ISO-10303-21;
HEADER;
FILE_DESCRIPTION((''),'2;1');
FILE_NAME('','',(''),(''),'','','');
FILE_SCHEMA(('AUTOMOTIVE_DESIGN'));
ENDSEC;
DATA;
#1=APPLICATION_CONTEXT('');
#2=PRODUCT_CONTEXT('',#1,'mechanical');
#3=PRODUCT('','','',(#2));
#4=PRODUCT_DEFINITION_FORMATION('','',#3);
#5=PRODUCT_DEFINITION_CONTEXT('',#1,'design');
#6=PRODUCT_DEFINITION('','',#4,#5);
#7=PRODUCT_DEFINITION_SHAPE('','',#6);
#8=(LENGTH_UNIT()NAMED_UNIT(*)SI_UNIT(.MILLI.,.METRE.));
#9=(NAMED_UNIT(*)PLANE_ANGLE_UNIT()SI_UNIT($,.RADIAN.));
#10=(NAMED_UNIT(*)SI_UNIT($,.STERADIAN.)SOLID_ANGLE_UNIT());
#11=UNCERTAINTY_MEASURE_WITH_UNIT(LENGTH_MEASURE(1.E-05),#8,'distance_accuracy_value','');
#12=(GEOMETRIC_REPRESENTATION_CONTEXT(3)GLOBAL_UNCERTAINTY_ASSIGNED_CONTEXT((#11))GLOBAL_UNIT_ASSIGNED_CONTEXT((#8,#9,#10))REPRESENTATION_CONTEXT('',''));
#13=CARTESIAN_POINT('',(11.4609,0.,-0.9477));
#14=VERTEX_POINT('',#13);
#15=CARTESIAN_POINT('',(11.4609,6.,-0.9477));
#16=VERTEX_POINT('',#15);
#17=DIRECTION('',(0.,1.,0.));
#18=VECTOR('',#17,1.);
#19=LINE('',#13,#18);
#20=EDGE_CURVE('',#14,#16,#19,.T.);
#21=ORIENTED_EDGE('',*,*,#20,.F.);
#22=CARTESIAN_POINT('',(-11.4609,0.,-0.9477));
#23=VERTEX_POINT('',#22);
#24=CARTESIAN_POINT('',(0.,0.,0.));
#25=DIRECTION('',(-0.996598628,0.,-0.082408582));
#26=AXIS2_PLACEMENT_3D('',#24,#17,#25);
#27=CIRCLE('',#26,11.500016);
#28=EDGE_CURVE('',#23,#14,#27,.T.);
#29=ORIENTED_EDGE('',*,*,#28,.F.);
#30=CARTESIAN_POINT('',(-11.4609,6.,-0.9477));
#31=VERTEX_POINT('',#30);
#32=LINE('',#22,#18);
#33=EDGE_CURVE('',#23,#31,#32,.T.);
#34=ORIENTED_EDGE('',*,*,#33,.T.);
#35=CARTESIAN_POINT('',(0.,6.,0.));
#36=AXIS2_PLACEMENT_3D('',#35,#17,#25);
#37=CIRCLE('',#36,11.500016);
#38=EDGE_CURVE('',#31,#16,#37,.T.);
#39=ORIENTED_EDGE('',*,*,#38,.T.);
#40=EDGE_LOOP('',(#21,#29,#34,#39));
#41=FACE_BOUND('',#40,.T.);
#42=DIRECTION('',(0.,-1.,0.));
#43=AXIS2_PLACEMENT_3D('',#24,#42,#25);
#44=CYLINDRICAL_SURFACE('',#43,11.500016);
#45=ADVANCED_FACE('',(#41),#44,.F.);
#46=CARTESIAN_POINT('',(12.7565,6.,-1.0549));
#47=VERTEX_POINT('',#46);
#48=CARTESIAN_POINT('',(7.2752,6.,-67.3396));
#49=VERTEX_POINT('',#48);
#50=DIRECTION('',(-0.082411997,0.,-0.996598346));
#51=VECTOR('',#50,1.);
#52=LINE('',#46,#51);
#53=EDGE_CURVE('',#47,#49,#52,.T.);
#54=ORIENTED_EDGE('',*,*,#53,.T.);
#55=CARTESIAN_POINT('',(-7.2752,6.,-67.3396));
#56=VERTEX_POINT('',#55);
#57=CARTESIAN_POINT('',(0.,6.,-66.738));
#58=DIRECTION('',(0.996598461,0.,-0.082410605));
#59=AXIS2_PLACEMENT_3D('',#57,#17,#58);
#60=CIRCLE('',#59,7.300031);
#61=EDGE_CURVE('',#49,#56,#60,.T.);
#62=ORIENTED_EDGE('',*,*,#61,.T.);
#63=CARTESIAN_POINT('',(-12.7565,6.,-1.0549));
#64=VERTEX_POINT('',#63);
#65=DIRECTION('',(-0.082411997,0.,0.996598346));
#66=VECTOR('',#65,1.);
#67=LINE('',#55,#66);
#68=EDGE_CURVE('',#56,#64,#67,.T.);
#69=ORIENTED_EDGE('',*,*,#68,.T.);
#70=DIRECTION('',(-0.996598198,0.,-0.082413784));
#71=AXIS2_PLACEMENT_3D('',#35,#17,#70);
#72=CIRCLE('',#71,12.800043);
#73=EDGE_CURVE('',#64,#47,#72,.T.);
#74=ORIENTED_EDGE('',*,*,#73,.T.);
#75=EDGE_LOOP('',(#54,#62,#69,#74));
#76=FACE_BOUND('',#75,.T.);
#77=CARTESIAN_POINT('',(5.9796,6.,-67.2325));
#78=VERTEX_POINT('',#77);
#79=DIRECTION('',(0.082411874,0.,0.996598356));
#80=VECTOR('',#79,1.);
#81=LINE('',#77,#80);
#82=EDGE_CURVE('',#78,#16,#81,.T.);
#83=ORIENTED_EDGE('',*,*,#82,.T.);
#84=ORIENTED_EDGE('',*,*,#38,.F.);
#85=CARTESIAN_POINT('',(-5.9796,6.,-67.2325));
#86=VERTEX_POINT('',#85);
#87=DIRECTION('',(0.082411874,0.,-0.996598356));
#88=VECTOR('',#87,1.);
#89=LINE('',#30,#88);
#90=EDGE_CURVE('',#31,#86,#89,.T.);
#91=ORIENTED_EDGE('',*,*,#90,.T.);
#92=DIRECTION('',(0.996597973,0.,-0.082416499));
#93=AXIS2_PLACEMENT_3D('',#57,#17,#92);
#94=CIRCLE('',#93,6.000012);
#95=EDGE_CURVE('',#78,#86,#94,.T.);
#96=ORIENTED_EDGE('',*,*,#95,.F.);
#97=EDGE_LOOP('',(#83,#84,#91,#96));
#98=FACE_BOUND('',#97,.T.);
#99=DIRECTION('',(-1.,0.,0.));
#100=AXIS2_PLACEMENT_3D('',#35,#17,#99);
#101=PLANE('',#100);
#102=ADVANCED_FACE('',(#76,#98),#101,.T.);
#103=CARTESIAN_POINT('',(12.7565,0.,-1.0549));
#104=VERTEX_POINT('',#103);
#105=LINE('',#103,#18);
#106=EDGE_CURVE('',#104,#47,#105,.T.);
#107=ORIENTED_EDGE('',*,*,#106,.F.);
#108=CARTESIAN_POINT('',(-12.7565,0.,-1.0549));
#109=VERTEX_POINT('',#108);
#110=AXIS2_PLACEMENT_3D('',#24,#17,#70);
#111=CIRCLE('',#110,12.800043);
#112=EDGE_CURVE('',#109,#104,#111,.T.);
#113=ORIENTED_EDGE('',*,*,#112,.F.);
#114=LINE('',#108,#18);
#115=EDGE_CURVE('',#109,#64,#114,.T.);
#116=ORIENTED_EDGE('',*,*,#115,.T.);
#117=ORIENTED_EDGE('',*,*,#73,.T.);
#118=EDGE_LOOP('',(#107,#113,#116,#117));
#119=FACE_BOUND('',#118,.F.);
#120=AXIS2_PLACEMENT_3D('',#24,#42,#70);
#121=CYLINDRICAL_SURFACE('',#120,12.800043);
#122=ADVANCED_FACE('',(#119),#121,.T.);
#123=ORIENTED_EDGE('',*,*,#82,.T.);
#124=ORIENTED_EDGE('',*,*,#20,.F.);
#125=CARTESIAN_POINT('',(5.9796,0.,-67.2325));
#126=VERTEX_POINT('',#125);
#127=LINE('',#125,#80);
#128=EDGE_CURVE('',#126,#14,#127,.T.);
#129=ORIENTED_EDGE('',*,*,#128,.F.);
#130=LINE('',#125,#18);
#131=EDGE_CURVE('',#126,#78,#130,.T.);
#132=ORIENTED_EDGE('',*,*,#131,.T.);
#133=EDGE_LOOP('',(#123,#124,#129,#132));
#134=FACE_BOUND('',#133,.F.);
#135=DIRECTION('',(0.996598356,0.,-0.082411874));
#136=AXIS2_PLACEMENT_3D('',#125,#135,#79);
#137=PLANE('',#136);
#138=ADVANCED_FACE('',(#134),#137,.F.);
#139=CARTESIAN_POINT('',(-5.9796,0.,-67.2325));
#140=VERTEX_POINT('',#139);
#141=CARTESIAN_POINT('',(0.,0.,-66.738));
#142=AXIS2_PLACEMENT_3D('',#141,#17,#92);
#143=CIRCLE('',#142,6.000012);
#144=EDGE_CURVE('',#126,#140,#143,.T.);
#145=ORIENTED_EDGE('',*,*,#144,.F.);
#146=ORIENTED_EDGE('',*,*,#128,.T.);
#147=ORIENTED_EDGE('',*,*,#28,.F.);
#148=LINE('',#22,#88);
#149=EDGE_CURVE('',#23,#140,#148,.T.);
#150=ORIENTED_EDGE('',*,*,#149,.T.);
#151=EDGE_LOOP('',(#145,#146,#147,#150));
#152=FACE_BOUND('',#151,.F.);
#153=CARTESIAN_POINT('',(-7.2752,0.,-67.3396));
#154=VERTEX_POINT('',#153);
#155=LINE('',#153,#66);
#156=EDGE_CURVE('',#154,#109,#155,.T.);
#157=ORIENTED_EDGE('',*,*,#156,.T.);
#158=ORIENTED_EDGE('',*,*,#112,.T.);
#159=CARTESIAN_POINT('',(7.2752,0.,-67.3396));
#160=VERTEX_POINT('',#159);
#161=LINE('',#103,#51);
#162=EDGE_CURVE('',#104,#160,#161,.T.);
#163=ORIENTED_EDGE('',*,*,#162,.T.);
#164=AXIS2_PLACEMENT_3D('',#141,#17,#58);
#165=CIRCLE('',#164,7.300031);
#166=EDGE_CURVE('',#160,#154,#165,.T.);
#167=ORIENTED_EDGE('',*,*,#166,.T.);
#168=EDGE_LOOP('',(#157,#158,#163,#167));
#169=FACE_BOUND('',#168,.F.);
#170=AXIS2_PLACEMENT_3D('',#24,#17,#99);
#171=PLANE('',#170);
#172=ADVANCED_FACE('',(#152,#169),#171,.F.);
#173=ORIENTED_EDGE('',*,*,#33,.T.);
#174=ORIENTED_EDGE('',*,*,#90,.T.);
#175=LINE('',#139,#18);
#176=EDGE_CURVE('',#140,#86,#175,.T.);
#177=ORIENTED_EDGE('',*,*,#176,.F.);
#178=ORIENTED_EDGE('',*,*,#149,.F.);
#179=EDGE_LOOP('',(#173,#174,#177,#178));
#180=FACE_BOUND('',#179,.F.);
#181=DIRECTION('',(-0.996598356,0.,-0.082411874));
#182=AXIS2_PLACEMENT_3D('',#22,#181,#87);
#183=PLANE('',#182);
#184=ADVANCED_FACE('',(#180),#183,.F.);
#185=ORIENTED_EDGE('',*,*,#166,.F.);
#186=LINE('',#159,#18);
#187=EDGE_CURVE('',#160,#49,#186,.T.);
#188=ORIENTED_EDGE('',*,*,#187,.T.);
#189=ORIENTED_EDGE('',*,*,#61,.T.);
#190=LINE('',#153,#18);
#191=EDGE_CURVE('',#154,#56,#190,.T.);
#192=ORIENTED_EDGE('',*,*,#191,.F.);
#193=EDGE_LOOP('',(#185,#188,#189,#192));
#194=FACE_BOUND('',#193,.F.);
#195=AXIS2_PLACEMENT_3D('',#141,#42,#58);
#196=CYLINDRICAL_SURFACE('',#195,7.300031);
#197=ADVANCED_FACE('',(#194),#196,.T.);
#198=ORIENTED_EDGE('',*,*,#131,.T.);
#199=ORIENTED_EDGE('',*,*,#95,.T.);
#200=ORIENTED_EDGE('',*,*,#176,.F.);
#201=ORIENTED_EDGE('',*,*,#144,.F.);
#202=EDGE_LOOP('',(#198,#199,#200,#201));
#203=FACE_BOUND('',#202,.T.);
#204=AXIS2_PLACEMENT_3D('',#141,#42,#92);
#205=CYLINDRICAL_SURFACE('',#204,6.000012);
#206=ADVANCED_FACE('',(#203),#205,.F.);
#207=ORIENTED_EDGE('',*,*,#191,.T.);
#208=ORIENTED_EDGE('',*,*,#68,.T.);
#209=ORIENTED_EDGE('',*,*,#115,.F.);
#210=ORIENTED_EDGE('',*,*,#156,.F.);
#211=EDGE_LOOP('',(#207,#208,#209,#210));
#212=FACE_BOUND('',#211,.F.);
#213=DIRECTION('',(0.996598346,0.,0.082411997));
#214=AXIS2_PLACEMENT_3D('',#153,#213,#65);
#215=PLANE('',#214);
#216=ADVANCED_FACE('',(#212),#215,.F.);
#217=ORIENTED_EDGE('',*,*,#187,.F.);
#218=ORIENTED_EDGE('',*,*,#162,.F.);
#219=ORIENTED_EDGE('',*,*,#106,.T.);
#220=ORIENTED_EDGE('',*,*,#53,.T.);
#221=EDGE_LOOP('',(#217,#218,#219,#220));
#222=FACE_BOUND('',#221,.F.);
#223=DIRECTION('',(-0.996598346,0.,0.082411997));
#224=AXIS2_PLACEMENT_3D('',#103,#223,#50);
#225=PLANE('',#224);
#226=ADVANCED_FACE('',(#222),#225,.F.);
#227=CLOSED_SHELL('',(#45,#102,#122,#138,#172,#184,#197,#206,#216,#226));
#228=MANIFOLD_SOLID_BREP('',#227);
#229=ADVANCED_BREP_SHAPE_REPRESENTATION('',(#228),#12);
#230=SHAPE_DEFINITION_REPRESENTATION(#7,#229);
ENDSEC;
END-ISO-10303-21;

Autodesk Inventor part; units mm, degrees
ref_plane "YZ Plane" through (0, 0, 0) normal (1, 0, 0) x (0, 1, 0)
ref_plane "XZ Plane" through (0, 0, 0) normal (0, 1, 0) x (-1, 0, 0)
ref_plane "XY Plane" through (0, 0, 0) normal (0, 0, 1) x (1, 0, 0)
sketch "Sketch1" plane through (0, 0, 0) normal (0, 1, 0) x (-1, 0, 0)
  arc A0 (11.4609, -0.9477) -> (-11.4609, -0.9477) centre (0, 0) ccw
  arc A1 (-5.9796, -67.2325) -> (5.9796, -67.2325) centre (0, -66.738) ccw
  line L0 (11.4609, -0.9477) -> (5.9796, -67.2325)
  line L1 (-5.9796, -67.2325) -> (-11.4609, -0.9477)
  line L2 (7.2752, -67.3396) -> (12.7565, -1.0549)
  arc A2 (12.7565, -1.0549) -> (-12.7565, -1.0549) centre (0, 0) ccw
  line L3 (-12.7565, -1.0549) -> (-7.2752, -67.3396)
  arc A3 (-7.2752, -67.3396) -> (7.2752, -67.3396) centre (0, -66.738) ccw
  dimension "d0" = 23
  dimension "d1" = 12
  dimension "d2" = 66.511
  dimension "d6" = 1.3
extrude "Extrusion1" add sketch "Sketch1" along normal blind 6
properties part number "tandriem32Tnaar16T_lengte188"
